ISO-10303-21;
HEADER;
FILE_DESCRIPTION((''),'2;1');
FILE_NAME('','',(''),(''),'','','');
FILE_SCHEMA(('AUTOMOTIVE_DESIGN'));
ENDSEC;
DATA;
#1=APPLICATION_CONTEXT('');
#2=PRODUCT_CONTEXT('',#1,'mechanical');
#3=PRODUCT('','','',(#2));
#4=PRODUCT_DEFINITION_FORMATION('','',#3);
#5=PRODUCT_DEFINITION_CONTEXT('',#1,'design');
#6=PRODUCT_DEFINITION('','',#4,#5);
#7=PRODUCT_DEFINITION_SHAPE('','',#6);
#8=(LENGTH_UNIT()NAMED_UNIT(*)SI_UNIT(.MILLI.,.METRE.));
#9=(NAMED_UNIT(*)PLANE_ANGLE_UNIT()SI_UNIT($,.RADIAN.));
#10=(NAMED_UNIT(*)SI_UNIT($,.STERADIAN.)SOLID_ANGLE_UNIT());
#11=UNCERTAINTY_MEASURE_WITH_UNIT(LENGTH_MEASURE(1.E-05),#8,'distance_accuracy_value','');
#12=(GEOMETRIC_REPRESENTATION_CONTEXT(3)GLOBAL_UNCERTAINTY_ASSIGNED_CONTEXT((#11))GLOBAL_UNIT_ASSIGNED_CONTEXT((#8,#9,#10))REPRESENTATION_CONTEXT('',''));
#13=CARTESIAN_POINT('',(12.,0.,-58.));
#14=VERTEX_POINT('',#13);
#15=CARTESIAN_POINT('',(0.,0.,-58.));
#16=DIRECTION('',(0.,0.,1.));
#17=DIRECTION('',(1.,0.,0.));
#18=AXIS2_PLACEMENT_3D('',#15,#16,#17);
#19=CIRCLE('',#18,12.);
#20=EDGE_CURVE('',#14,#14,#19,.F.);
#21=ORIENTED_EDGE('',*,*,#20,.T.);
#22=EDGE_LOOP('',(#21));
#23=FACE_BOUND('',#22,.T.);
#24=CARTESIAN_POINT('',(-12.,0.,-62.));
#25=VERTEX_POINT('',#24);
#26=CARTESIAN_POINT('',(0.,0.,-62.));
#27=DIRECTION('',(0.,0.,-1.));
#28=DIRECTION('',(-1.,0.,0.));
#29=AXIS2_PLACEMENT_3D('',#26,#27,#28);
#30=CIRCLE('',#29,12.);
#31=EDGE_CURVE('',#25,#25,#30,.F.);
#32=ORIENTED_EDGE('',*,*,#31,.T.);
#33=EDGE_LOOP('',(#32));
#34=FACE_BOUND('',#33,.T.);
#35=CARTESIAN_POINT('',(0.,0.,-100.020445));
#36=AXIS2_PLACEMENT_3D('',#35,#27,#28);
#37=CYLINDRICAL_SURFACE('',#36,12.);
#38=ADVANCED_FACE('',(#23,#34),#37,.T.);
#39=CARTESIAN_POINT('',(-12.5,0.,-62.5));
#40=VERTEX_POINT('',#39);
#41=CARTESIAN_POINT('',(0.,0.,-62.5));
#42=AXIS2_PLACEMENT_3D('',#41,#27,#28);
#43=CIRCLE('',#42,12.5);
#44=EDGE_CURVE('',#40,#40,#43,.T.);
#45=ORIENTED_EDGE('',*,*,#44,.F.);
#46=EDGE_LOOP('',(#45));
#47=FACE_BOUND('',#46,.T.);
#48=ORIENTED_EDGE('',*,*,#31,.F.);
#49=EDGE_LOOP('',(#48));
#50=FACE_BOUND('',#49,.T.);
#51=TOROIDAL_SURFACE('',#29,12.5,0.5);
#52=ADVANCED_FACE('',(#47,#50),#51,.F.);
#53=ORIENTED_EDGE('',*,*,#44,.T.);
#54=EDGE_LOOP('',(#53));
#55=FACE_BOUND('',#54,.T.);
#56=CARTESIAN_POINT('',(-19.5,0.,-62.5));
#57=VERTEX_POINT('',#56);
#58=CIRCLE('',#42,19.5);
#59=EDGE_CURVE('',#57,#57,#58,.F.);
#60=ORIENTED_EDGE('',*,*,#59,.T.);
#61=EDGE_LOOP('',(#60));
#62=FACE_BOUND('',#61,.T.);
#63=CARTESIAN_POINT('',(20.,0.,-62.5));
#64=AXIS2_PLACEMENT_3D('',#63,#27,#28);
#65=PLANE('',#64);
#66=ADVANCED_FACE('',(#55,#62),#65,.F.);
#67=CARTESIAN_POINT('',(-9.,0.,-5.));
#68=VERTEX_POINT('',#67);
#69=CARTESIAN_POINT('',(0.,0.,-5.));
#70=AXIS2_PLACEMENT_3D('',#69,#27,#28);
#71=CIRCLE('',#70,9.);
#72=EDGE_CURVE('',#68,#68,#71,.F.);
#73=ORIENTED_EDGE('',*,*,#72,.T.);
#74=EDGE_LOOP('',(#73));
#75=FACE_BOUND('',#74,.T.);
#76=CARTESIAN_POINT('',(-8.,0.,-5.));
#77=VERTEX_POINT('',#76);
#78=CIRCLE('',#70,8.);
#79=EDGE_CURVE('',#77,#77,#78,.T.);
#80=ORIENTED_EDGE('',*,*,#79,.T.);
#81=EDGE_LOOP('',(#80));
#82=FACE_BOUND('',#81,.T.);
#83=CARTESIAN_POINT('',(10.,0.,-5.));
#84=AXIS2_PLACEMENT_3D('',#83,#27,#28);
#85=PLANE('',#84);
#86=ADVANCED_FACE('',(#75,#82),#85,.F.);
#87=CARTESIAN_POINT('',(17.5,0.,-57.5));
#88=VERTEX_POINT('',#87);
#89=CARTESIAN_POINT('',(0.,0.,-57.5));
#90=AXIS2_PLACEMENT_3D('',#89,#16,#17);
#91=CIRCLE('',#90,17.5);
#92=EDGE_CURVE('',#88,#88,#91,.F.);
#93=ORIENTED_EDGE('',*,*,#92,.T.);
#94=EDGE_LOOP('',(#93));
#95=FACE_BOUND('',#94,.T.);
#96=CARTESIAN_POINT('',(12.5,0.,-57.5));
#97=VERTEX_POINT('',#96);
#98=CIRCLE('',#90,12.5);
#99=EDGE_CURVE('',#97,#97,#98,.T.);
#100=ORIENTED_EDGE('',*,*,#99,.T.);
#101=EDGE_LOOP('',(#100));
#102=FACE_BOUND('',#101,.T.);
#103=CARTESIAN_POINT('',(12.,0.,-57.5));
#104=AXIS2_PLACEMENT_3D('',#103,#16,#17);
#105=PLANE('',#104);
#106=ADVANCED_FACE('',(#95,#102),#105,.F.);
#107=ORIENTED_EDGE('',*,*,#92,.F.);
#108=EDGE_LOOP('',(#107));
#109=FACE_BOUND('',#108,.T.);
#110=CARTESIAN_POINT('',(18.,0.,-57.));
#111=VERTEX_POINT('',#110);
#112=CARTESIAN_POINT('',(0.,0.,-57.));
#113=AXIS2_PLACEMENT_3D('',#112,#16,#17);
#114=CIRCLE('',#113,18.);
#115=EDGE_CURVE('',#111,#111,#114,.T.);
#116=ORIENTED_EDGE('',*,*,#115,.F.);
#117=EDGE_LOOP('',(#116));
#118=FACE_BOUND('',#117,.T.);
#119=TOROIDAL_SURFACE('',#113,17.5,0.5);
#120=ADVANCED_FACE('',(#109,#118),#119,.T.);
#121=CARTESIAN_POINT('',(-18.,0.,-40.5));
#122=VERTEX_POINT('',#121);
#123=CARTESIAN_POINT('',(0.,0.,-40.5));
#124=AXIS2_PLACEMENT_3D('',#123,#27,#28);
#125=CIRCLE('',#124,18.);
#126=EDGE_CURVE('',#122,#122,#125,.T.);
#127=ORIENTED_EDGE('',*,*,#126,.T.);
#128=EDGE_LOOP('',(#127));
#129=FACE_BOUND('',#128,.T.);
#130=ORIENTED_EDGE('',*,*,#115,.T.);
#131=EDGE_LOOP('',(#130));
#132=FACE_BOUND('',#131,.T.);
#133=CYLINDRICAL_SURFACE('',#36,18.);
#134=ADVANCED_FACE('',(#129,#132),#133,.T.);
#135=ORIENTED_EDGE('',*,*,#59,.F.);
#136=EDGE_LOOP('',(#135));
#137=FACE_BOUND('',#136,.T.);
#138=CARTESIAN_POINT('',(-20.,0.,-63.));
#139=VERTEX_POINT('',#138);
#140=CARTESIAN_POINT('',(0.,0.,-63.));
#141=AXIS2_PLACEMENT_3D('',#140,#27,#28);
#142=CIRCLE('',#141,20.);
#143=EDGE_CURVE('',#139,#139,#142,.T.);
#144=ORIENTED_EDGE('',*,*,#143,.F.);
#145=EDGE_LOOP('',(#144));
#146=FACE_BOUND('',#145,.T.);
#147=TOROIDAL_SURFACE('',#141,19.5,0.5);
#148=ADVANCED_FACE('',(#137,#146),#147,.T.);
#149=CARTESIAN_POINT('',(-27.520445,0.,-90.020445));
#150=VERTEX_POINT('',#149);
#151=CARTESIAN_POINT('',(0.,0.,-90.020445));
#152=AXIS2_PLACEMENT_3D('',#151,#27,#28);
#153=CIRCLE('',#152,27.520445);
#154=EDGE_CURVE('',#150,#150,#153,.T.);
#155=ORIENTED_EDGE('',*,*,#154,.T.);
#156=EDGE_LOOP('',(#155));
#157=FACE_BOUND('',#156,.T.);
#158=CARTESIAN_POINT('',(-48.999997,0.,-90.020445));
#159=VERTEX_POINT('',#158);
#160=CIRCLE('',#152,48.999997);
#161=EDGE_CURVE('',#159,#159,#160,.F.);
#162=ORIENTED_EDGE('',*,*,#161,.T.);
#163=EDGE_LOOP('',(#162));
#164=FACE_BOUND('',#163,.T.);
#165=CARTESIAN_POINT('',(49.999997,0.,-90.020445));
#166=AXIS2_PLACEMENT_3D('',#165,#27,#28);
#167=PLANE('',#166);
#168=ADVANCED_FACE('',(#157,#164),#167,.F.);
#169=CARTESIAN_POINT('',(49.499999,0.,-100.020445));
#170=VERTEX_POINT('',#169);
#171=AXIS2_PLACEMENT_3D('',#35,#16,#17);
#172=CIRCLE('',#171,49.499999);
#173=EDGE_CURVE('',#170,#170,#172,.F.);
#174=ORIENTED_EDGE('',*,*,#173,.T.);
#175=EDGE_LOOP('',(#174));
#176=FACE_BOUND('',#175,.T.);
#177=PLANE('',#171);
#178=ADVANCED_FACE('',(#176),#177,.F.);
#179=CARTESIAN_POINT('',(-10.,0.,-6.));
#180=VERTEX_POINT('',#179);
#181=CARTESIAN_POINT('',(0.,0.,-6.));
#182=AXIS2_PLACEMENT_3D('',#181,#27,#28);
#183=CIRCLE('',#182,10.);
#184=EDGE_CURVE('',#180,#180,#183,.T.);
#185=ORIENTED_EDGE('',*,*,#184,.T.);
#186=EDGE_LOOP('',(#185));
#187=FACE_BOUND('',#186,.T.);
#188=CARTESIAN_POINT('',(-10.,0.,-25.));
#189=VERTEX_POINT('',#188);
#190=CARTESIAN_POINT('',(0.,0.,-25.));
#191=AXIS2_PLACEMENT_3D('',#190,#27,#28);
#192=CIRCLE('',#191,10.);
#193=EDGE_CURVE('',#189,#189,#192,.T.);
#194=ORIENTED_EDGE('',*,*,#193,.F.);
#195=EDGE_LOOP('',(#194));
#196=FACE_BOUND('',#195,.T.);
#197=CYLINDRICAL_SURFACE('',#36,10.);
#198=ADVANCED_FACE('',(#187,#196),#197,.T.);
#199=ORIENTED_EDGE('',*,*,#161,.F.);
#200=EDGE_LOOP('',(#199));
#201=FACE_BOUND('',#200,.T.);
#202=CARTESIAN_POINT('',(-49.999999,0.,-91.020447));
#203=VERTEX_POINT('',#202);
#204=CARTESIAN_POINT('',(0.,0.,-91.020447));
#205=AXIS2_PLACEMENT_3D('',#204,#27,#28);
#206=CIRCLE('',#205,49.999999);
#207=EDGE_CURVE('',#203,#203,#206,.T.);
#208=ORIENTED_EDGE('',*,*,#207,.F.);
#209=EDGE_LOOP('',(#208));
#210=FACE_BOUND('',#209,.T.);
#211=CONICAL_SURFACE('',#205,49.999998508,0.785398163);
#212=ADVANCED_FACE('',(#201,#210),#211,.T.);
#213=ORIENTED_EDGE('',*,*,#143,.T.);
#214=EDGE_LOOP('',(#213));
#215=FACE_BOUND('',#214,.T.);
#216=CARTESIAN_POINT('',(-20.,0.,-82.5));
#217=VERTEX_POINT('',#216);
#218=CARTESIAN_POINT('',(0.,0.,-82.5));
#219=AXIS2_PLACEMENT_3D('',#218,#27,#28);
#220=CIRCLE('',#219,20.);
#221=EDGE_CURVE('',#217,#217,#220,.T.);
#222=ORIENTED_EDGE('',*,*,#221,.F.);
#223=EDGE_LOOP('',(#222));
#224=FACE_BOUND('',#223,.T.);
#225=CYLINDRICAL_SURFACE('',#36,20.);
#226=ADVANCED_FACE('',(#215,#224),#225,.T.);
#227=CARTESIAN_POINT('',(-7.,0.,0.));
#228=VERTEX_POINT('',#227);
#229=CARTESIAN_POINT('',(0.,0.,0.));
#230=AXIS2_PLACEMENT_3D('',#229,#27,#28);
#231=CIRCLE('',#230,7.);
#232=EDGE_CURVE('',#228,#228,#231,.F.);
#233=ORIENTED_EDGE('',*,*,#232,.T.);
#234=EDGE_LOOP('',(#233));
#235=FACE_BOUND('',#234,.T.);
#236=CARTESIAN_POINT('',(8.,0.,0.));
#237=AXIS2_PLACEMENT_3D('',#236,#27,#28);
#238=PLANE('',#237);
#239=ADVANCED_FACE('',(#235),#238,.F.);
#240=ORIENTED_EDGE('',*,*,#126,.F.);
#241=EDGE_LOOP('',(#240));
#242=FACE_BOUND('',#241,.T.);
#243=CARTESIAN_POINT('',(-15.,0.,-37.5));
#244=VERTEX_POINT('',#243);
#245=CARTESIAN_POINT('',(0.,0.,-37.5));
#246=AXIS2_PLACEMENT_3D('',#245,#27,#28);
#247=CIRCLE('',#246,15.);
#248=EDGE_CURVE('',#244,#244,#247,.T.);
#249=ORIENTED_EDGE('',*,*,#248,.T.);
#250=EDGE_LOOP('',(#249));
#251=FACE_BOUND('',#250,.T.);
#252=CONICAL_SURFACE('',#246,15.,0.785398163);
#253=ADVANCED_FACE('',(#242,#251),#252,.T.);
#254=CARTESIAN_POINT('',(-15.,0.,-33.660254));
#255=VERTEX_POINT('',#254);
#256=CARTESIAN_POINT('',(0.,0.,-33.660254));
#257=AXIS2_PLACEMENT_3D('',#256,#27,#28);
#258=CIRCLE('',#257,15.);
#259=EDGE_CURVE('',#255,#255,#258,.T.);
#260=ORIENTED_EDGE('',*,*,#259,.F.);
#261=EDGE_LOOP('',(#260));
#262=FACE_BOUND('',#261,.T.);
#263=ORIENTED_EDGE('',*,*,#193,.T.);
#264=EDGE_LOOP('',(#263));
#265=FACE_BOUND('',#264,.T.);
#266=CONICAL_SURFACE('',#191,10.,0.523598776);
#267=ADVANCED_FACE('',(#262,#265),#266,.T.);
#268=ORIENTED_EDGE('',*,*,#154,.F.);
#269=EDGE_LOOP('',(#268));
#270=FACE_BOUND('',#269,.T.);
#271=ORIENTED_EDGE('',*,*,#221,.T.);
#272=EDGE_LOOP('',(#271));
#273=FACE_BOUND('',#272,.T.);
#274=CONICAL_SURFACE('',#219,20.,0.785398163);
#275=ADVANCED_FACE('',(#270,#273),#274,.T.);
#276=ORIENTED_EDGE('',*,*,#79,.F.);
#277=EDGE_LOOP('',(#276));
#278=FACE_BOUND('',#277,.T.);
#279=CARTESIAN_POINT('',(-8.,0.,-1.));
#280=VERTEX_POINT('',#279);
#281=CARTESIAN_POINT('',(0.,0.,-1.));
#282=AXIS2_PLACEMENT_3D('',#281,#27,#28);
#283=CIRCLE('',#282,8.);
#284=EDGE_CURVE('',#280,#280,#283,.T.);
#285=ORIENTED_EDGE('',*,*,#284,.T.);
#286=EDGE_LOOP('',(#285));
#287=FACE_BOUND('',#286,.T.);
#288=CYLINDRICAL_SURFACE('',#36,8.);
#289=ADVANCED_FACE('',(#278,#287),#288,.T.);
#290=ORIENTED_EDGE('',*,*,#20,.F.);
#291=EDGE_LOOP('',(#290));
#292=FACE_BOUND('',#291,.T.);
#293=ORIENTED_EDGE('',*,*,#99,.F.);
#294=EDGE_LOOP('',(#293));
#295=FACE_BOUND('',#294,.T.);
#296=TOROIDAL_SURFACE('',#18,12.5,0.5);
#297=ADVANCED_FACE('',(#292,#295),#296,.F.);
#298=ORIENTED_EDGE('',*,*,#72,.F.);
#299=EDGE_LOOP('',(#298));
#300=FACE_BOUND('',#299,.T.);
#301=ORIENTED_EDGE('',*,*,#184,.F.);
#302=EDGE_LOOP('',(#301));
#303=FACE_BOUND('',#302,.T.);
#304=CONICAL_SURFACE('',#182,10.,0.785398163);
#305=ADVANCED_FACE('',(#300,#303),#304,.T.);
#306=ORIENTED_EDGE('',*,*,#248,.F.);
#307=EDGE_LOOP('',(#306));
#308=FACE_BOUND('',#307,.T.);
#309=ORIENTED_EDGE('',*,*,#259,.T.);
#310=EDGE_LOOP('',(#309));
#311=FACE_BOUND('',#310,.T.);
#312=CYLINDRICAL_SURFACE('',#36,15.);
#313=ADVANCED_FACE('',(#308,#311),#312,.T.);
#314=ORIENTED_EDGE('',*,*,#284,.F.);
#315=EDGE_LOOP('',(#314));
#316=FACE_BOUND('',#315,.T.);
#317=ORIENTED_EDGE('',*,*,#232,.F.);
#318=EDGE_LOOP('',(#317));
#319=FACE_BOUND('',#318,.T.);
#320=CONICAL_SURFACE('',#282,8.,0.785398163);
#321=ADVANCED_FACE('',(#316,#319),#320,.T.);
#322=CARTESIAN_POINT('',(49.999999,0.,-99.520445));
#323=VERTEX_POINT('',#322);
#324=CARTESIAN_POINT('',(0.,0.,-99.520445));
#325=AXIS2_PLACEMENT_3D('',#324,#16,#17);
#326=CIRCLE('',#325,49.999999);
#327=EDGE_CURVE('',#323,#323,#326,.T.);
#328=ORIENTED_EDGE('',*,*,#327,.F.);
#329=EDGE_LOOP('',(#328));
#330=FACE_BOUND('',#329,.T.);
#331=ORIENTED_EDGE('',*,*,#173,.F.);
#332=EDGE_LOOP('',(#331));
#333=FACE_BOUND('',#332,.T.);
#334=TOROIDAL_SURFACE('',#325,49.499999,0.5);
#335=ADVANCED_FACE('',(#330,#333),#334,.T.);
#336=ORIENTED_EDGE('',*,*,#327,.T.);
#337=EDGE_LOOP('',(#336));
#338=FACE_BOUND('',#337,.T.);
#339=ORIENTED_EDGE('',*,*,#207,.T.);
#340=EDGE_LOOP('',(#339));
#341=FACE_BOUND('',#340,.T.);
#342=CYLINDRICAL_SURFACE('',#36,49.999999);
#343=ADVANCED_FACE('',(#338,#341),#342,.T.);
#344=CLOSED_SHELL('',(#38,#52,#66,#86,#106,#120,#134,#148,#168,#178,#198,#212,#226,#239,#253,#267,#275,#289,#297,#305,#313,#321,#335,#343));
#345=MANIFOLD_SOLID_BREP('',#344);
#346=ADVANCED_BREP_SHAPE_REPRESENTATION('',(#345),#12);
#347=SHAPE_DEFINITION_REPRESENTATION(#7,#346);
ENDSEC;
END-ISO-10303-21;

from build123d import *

# Parameters (mm, degrees)
CHAMFER1_SIZE = 1
FILLET1_R     = 0.5


with BuildPart() as part:
    # Sketch5 → Revolve1 (revolve)
    with BuildSketch(Plane(origin=(0, 0, 0), x_dir=(1, 0, 0), z_dir=(0, 1, 0)), mode=Mode.PRIVATE) as revolve1_sk:
        Polygon((0, 100.020445287), (50, 100.020445287), (49.999997016, 90.020445287), (27.520445287, 90.020445287), (20, 82.5), (20, 62.5), (12, 62.5), (12, 57.5), (18, 57.5), (18, 40.5), (15, 37.5), (15, 33.660254038), (10, 25), (10, 5), (8, 5), (8, 0), (0, 0), align=None)
    revolve(revolve1_sk.sketch.rotate(Axis((0, 0, -100.020445287), (0, 0, 1)), 180), axis=Axis((0, 0, -100.020445287), (0, 0, 1)))

    # Chamfer1
    chamfer1_edges = [part.edges().sort_by_distance(p)[0] for p in [
        (8, 0, 0),
        (10, 0, -5),
        (49.999997016, 0, -90.020445287),
    ]]
    chamfer(chamfer1_edges, length=CHAMFER1_SIZE)

    # Fillet1
    fillet1_edges = [part.edges().sort_by_distance(p)[0] for p in [
        (18, 0, -57.5),
        (12, 0, -57.5),
        (12, 0, -62.5),
        (20, 0, -62.5),
        (50, 0, -100.020445287),
    ]]
    fillet(fillet1_edges, radius=FILLET1_R)


solid = part.part
